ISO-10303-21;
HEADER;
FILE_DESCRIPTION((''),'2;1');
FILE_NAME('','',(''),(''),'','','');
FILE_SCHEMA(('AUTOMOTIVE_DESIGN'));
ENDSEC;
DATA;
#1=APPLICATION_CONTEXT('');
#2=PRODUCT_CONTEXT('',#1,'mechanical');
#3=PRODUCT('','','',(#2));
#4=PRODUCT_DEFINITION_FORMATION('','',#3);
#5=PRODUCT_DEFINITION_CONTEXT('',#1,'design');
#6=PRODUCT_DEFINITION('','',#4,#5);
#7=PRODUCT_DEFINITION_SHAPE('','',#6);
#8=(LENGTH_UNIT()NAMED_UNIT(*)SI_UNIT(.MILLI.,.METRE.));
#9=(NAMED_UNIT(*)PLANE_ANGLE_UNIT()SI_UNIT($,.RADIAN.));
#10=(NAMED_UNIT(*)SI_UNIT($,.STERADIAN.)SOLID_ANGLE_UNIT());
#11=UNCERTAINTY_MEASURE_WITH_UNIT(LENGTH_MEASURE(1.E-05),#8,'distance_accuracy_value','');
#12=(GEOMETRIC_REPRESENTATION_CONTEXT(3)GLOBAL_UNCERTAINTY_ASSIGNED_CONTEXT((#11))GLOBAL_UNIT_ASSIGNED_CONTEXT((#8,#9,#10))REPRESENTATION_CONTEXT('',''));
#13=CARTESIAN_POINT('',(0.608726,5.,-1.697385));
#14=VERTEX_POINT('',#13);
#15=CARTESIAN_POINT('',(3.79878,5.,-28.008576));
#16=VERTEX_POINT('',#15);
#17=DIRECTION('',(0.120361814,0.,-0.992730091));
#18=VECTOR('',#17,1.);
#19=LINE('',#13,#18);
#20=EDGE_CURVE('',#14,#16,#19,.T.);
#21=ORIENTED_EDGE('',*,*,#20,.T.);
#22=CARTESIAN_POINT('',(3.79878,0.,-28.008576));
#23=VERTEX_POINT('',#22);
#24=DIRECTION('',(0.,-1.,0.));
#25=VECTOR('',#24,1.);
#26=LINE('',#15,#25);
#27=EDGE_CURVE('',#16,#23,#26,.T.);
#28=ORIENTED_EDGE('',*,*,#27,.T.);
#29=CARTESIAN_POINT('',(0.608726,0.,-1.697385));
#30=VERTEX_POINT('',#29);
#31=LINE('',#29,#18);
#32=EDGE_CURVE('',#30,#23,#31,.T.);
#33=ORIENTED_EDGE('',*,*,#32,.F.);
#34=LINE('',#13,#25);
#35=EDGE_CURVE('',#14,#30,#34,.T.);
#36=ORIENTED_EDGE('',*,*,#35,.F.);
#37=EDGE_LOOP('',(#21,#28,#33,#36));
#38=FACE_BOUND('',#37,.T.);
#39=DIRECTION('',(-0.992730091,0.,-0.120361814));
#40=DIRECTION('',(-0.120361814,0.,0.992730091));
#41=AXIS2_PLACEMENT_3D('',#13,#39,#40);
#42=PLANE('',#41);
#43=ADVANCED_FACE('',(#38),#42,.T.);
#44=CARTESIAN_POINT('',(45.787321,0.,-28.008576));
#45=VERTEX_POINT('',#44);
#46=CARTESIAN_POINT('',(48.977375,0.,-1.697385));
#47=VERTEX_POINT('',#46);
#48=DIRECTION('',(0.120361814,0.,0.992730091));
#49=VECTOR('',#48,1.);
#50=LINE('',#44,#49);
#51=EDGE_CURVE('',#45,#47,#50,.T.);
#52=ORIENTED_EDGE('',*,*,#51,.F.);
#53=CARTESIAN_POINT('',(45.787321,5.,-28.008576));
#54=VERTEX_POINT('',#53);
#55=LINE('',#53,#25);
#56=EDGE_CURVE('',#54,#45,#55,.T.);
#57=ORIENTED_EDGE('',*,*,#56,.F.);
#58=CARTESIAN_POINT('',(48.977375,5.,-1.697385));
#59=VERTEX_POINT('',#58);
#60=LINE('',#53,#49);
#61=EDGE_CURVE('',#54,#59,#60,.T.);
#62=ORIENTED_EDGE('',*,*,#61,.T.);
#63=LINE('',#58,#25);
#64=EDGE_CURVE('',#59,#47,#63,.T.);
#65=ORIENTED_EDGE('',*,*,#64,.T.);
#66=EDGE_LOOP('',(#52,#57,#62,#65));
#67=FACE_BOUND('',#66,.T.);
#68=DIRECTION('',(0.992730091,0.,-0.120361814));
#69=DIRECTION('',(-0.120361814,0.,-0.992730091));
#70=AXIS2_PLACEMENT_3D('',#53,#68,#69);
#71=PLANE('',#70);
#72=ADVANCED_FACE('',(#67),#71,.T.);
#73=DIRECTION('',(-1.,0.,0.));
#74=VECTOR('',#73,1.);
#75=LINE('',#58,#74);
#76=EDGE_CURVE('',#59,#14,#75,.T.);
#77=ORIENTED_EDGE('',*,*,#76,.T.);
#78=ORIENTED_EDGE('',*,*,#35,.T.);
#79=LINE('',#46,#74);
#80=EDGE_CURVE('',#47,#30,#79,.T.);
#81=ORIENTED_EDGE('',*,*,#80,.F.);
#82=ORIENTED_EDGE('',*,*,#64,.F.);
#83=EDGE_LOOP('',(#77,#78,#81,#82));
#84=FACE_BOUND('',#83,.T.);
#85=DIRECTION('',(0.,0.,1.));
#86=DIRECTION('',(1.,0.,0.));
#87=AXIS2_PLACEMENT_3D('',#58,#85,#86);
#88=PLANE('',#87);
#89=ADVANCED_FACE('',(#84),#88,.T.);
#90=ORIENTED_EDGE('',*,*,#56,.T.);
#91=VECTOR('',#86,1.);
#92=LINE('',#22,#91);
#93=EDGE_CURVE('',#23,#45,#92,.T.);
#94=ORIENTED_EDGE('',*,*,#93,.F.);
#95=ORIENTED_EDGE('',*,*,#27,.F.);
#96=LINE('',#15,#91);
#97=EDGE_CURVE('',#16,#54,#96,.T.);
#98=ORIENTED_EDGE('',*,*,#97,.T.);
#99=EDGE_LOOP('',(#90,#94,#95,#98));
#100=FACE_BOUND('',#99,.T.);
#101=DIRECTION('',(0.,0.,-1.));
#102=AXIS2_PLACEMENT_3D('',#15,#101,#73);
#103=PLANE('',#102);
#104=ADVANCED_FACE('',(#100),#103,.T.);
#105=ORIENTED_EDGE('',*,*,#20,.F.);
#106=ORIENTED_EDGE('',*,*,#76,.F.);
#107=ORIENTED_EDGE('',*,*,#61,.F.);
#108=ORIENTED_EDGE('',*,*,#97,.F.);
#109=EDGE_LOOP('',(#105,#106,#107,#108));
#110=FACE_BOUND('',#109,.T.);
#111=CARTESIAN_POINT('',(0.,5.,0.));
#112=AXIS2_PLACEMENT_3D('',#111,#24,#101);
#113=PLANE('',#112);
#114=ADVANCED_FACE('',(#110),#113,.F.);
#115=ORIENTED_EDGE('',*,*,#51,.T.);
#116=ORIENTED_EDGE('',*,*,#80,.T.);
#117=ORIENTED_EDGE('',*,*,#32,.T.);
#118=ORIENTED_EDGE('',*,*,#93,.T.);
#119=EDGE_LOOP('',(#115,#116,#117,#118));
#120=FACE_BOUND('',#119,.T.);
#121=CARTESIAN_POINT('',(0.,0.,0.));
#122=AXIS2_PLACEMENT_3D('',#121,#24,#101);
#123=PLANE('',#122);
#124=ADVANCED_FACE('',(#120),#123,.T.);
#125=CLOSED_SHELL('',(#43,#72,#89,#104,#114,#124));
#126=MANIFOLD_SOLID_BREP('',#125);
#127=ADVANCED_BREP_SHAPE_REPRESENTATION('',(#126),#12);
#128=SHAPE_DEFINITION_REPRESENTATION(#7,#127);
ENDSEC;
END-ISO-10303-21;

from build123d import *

# Parameters (mm, degrees)
SALIENTE_EXTRUIR1_DEPTH = 30
CORTAR_EXTRUIR2_DEPTH   = 90
CROQUIS5_W              = 20
CROQUIS5_H              = 2
SALIENTE_EXTRUIR2_DEPTH = 3
CHAFL_N1_SIZE           = 15
CHAFL_N1_SIZE2          = 4.585960222
CHAFL_N2_SIZE           = 15
CHAFL_N2_SIZE2          = 4.585960222
CHAFL_N3_SIZE           = 15
CHAFL_N3_SIZE2          = 4.873795443
SALIENTE_EXTRUIR3_DEPTH = 5
CROQUIS7_W              = 20
CROQUIS7_H              = 2
CORTAR_EXTRUIR3_DEPTH   = 65
CROQUIS8_W              = 69.078643268
CROQUIS8_H              = 63.245130673
CORTAR_EXTRUIR4_DEPTH   = 5


with BuildPart() as part:
    # Croquis2 → Saliente-Extruir1 (new body)
    with BuildSketch(Plane(origin=(0, 0, 0), x_dir=(1, 0, 0), z_dir=(0, 1, 0))):
        Polygon((0, 0), (4.293050572, 35.408576274), (-0.206949428, 35.33296049), (-14, 0), align=None)
        Polygon((24.793050572, 35.408576274), (4.293050572, 35.408576274), (3.44434788, 28.408576274), (24.793050572, 28.408576274), align=None)
        Polygon((45.293050572, 35.408576274), (24.793050572, 35.408576274), (24.793050572, 28.408576274), (46.141753264, 28.408576274), align=None)
        Polygon((49.793050572, 35.33296049), (63.586101144, 0), (49.586101144, 0), (45.293050572, 35.408576274), align=None)
    extrude(amount=SALIENTE_EXTRUIR1_DEPTH)

    # Croquis4 → Cortar-Extruir2 (cut, symmetric)
    with BuildSketch(Plane(origin=(0, 0, 0), x_dir=(0, 0, -1), z_dir=(1, 0, 0))):
        Polygon((0, 0), (5, 0), (5, 30), (-4.90661078, 30), (-4.90661078, 0), align=None)
    extrude(amount=CORTAR_EXTRUIR2_DEPTH, both=True, mode=Mode.SUBTRACT)

    # Croquis5 → Saliente-Extruir2 (add)
    with BuildSketch(Plane(origin=(0, 0, 0), x_dir=(-1, 0, 0), z_dir=(0, -1, 0))):
        with Locations((-24.793050572, 32.408576274)):
            Rectangle(CROQUIS5_W, CROQUIS5_H)
    extrude(amount=SALIENTE_EXTRUIR2_DEPTH)

    # Chaflán1
    chafl_n1_edges = [part.edges().sort_by_distance(p)[0] for p in [
        (2.025282044, 30, -16.704288137),
    ]]
    chafl_n1_side = [part.faces().sort_by_distance(p)[0] for p in [
        (2.025282044, 15, -16.704288137),
    ]]
    chamfer(chafl_n1_edges, length=CHAFL_N1_SIZE, length2=CHAFL_N1_SIZE2, reference=chafl_n1_side[0])

    # Chaflán2
    chafl_n2_edges = [part.edges().sort_by_distance(p)[0] for p in [
        (47.5608191, 30, -16.704288137),
    ]]
    chafl_n2_side = [part.faces().sort_by_distance(p)[0] for p in [
        (47.5608191, 15, -16.704288137),
    ]]
    chamfer(chafl_n2_edges, length=CHAFL_N2_SIZE, length2=CHAFL_N2_SIZE2, reference=chafl_n2_side[0])

    # Chaflán3
    chafl_n3_edges = [part.edges().sort_by_distance(p)[0] for p in [
        (24.793050572, 30, -28.408576274),
    ]]
    chafl_n3_side = [part.faces().sort_by_distance(p)[0] for p in [
        (24.793050572, 15.5132008, -28.408576274),
    ]]
    chamfer(chafl_n3_edges, length=CHAFL_N3_SIZE, length2=CHAFL_N3_SIZE2, reference=chafl_n3_side[0])

    # Croquis7 → Cortar-Extruir3 (cut)
    # profile 1 of 3: a face of its own
    with BuildSketch(Plane.XZ):
        Polygon((0.606216209, -38.306494664), (49.793050572, -38.306494664), (49.793050572, -35.33296049), (45.293050572, -35.408576274), (4.293050572, -35.408576274), (-0.206949428, -35.33296049), align=None)
    # profile 2 of 3: a face of its own
    with BuildSketch(Plane.XZ):
        Polygon((-0.206949428, -35.33296049), (49.793050572, -35.33296049), (61.634233768, -5), (48.979884935, -5), (46.141753264, -28.408576274), (3.44434788, -28.408576274), (0.606216209, -5), (-12.048132625, -5), align=None)
        with Locations((24.793050572, -32.408576274)):
            Rectangle(CROQUIS7_W, CROQUIS7_H, mode=Mode.SUBTRACT)
    # profile 3 of 3: a face of its own
    with BuildSketch(Plane.XZ):
        with Locations((24.793050572, -32.408576274)):
            Rectangle(CROQUIS7_W, CROQUIS7_H)
    extrude(amount=-CORTAR_EXTRUIR3_DEPTH, mode=Mode.SUBTRACT)


with BuildPart() as body_2:
    # Croquis6 → Saliente-Extruir3 (new body)
    with BuildSketch(Plane.XZ):
        Polygon((0.608725752, -1.697385274), (3.798779842, -28.008576274), (45.787321302, -28.008576274), (48.977375392, -1.697385274), align=None)
    extrude(amount=-SALIENTE_EXTRUIR3_DEPTH)


with BuildPart() as cortar_extruir3_piece_1:
    # of the separate pieces the step leaves, piece 1, a body of its own (cortar_extruir3_pieces)
    add(part.part.solids().sort_by_distance((14.793050572, 0, -31.408576274))[0])


with BuildPart() as cortar_extruir3_piece_2:
    # of the separate pieces the step leaves, piece 2, a body of its own (cortar_extruir3_pieces)
    add(part.part.solids().sort_by_distance((4.293050572, 0, -35.408576274))[0])


with BuildPart() as cortar_extruir4_tool:
    # Croquis8 → Cortar-Extruir4 (new body)
    with BuildSketch(Plane(origin=(0, 0, -35.408576274), x_dir=(-1, 0, 0), z_dir=(0, 0, -1))):
        with Locations((-28.687723689, 10.469966138)):
            Rectangle(CROQUIS8_W, CROQUIS8_H)
    extrude(amount=-CORTAR_EXTRUIR4_DEPTH)


with BuildPart() as cortar_extruir3_piece_1_1:
    add(cortar_extruir3_piece_1.part)

    # Cortar-Extruir4: cut by cortar_extruir4_tool
    add(cortar_extruir4_tool.part, mode=Mode.SUBTRACT)


with BuildPart() as cortar_extruir3_piece_2_1:
    add(cortar_extruir3_piece_2.part)

    # Cortar-Extruir4: cut by cortar_extruir4_tool
    add(cortar_extruir4_tool.part, mode=Mode.SUBTRACT)


solid = body_2.part
